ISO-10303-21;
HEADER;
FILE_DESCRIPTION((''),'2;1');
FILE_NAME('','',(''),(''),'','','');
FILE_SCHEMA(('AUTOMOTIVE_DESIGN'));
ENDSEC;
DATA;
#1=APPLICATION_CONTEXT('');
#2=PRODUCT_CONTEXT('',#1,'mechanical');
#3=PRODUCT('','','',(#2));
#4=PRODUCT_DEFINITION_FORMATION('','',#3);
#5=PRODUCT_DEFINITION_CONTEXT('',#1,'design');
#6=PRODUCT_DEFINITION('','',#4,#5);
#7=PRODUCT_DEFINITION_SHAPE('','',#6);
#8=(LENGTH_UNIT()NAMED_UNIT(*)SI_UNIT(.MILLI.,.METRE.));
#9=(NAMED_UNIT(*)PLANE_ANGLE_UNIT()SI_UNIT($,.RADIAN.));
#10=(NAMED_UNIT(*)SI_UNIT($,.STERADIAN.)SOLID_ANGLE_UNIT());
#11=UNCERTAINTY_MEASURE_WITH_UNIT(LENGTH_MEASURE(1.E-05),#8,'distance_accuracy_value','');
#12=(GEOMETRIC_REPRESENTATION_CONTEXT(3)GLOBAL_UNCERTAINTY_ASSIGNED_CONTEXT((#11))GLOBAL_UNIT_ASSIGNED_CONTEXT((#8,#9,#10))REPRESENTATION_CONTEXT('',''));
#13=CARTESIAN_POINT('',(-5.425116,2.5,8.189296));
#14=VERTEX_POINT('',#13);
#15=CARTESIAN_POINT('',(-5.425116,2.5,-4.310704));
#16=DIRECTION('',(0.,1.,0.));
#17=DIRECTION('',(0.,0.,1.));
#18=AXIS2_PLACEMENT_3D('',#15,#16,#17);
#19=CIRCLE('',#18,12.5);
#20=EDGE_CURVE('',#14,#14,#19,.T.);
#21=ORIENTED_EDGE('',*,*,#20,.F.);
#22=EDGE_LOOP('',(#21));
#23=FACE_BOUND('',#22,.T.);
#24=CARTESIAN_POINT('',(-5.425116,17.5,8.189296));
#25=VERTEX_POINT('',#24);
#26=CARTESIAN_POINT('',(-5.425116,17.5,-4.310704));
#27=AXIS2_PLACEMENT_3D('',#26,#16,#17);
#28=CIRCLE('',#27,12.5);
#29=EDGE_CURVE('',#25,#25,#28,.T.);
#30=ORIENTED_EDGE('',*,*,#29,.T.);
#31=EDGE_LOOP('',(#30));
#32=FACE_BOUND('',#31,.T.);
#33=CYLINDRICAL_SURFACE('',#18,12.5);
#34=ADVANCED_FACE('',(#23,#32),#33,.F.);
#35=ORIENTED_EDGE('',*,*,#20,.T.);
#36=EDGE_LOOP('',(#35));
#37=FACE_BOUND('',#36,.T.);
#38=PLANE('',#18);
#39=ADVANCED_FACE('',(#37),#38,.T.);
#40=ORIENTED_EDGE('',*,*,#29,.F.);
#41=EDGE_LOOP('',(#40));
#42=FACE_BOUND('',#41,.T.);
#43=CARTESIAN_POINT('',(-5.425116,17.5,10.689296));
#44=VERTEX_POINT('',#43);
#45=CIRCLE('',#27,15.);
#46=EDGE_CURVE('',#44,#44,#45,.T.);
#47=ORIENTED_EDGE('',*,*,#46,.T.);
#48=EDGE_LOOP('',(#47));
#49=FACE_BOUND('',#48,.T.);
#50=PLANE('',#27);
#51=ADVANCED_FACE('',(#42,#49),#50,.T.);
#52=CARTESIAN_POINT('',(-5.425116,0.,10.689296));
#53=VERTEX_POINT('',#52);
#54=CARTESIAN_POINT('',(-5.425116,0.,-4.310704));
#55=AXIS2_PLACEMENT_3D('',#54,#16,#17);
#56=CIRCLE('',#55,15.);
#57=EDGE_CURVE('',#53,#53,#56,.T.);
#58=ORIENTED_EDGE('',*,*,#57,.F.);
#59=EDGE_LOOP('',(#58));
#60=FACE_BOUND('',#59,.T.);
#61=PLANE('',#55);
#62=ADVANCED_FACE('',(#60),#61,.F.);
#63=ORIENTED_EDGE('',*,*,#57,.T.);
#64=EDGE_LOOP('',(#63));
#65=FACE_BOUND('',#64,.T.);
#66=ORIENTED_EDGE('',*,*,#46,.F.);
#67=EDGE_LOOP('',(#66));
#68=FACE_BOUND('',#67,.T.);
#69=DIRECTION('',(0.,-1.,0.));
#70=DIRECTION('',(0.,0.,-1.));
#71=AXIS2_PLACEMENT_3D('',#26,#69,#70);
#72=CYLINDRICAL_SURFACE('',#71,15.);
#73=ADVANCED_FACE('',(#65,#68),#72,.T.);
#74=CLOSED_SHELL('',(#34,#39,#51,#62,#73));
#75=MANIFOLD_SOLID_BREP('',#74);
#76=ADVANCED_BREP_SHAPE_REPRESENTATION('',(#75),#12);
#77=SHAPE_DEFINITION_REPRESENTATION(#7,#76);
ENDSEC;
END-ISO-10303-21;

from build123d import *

# Parameters (mm, degrees)
SKETCH1_R           = 15
BOSS_EXTRUDE1_DEPTH = 17.5
SKETCH2_R           = 12.5
CUT_EXTRUDE1_DEPTH  = 15


with BuildPart() as part:
    # Sketch1 → Boss-Extrude1 (new body)
    with BuildSketch(Plane(origin=(0, 0, 0), x_dir=(1, 0, 0), z_dir=(0, 1, 0))):
        with Locations((-5.425115689, 4.310704304)):
            Circle(SKETCH1_R)
    extrude(amount=BOSS_EXTRUDE1_DEPTH)

    # Sketch2 → Cut-Extrude1 (cut)
    with BuildSketch(Plane(origin=(0, 17.5, 0), x_dir=(1, 0, 0), z_dir=(0, 1, 0))):
        with Locations((-5.425115689, 4.310704304)):
            Circle(SKETCH2_R)
    extrude(amount=-CUT_EXTRUDE1_DEPTH, mode=Mode.SUBTRACT)


solid = part.part
